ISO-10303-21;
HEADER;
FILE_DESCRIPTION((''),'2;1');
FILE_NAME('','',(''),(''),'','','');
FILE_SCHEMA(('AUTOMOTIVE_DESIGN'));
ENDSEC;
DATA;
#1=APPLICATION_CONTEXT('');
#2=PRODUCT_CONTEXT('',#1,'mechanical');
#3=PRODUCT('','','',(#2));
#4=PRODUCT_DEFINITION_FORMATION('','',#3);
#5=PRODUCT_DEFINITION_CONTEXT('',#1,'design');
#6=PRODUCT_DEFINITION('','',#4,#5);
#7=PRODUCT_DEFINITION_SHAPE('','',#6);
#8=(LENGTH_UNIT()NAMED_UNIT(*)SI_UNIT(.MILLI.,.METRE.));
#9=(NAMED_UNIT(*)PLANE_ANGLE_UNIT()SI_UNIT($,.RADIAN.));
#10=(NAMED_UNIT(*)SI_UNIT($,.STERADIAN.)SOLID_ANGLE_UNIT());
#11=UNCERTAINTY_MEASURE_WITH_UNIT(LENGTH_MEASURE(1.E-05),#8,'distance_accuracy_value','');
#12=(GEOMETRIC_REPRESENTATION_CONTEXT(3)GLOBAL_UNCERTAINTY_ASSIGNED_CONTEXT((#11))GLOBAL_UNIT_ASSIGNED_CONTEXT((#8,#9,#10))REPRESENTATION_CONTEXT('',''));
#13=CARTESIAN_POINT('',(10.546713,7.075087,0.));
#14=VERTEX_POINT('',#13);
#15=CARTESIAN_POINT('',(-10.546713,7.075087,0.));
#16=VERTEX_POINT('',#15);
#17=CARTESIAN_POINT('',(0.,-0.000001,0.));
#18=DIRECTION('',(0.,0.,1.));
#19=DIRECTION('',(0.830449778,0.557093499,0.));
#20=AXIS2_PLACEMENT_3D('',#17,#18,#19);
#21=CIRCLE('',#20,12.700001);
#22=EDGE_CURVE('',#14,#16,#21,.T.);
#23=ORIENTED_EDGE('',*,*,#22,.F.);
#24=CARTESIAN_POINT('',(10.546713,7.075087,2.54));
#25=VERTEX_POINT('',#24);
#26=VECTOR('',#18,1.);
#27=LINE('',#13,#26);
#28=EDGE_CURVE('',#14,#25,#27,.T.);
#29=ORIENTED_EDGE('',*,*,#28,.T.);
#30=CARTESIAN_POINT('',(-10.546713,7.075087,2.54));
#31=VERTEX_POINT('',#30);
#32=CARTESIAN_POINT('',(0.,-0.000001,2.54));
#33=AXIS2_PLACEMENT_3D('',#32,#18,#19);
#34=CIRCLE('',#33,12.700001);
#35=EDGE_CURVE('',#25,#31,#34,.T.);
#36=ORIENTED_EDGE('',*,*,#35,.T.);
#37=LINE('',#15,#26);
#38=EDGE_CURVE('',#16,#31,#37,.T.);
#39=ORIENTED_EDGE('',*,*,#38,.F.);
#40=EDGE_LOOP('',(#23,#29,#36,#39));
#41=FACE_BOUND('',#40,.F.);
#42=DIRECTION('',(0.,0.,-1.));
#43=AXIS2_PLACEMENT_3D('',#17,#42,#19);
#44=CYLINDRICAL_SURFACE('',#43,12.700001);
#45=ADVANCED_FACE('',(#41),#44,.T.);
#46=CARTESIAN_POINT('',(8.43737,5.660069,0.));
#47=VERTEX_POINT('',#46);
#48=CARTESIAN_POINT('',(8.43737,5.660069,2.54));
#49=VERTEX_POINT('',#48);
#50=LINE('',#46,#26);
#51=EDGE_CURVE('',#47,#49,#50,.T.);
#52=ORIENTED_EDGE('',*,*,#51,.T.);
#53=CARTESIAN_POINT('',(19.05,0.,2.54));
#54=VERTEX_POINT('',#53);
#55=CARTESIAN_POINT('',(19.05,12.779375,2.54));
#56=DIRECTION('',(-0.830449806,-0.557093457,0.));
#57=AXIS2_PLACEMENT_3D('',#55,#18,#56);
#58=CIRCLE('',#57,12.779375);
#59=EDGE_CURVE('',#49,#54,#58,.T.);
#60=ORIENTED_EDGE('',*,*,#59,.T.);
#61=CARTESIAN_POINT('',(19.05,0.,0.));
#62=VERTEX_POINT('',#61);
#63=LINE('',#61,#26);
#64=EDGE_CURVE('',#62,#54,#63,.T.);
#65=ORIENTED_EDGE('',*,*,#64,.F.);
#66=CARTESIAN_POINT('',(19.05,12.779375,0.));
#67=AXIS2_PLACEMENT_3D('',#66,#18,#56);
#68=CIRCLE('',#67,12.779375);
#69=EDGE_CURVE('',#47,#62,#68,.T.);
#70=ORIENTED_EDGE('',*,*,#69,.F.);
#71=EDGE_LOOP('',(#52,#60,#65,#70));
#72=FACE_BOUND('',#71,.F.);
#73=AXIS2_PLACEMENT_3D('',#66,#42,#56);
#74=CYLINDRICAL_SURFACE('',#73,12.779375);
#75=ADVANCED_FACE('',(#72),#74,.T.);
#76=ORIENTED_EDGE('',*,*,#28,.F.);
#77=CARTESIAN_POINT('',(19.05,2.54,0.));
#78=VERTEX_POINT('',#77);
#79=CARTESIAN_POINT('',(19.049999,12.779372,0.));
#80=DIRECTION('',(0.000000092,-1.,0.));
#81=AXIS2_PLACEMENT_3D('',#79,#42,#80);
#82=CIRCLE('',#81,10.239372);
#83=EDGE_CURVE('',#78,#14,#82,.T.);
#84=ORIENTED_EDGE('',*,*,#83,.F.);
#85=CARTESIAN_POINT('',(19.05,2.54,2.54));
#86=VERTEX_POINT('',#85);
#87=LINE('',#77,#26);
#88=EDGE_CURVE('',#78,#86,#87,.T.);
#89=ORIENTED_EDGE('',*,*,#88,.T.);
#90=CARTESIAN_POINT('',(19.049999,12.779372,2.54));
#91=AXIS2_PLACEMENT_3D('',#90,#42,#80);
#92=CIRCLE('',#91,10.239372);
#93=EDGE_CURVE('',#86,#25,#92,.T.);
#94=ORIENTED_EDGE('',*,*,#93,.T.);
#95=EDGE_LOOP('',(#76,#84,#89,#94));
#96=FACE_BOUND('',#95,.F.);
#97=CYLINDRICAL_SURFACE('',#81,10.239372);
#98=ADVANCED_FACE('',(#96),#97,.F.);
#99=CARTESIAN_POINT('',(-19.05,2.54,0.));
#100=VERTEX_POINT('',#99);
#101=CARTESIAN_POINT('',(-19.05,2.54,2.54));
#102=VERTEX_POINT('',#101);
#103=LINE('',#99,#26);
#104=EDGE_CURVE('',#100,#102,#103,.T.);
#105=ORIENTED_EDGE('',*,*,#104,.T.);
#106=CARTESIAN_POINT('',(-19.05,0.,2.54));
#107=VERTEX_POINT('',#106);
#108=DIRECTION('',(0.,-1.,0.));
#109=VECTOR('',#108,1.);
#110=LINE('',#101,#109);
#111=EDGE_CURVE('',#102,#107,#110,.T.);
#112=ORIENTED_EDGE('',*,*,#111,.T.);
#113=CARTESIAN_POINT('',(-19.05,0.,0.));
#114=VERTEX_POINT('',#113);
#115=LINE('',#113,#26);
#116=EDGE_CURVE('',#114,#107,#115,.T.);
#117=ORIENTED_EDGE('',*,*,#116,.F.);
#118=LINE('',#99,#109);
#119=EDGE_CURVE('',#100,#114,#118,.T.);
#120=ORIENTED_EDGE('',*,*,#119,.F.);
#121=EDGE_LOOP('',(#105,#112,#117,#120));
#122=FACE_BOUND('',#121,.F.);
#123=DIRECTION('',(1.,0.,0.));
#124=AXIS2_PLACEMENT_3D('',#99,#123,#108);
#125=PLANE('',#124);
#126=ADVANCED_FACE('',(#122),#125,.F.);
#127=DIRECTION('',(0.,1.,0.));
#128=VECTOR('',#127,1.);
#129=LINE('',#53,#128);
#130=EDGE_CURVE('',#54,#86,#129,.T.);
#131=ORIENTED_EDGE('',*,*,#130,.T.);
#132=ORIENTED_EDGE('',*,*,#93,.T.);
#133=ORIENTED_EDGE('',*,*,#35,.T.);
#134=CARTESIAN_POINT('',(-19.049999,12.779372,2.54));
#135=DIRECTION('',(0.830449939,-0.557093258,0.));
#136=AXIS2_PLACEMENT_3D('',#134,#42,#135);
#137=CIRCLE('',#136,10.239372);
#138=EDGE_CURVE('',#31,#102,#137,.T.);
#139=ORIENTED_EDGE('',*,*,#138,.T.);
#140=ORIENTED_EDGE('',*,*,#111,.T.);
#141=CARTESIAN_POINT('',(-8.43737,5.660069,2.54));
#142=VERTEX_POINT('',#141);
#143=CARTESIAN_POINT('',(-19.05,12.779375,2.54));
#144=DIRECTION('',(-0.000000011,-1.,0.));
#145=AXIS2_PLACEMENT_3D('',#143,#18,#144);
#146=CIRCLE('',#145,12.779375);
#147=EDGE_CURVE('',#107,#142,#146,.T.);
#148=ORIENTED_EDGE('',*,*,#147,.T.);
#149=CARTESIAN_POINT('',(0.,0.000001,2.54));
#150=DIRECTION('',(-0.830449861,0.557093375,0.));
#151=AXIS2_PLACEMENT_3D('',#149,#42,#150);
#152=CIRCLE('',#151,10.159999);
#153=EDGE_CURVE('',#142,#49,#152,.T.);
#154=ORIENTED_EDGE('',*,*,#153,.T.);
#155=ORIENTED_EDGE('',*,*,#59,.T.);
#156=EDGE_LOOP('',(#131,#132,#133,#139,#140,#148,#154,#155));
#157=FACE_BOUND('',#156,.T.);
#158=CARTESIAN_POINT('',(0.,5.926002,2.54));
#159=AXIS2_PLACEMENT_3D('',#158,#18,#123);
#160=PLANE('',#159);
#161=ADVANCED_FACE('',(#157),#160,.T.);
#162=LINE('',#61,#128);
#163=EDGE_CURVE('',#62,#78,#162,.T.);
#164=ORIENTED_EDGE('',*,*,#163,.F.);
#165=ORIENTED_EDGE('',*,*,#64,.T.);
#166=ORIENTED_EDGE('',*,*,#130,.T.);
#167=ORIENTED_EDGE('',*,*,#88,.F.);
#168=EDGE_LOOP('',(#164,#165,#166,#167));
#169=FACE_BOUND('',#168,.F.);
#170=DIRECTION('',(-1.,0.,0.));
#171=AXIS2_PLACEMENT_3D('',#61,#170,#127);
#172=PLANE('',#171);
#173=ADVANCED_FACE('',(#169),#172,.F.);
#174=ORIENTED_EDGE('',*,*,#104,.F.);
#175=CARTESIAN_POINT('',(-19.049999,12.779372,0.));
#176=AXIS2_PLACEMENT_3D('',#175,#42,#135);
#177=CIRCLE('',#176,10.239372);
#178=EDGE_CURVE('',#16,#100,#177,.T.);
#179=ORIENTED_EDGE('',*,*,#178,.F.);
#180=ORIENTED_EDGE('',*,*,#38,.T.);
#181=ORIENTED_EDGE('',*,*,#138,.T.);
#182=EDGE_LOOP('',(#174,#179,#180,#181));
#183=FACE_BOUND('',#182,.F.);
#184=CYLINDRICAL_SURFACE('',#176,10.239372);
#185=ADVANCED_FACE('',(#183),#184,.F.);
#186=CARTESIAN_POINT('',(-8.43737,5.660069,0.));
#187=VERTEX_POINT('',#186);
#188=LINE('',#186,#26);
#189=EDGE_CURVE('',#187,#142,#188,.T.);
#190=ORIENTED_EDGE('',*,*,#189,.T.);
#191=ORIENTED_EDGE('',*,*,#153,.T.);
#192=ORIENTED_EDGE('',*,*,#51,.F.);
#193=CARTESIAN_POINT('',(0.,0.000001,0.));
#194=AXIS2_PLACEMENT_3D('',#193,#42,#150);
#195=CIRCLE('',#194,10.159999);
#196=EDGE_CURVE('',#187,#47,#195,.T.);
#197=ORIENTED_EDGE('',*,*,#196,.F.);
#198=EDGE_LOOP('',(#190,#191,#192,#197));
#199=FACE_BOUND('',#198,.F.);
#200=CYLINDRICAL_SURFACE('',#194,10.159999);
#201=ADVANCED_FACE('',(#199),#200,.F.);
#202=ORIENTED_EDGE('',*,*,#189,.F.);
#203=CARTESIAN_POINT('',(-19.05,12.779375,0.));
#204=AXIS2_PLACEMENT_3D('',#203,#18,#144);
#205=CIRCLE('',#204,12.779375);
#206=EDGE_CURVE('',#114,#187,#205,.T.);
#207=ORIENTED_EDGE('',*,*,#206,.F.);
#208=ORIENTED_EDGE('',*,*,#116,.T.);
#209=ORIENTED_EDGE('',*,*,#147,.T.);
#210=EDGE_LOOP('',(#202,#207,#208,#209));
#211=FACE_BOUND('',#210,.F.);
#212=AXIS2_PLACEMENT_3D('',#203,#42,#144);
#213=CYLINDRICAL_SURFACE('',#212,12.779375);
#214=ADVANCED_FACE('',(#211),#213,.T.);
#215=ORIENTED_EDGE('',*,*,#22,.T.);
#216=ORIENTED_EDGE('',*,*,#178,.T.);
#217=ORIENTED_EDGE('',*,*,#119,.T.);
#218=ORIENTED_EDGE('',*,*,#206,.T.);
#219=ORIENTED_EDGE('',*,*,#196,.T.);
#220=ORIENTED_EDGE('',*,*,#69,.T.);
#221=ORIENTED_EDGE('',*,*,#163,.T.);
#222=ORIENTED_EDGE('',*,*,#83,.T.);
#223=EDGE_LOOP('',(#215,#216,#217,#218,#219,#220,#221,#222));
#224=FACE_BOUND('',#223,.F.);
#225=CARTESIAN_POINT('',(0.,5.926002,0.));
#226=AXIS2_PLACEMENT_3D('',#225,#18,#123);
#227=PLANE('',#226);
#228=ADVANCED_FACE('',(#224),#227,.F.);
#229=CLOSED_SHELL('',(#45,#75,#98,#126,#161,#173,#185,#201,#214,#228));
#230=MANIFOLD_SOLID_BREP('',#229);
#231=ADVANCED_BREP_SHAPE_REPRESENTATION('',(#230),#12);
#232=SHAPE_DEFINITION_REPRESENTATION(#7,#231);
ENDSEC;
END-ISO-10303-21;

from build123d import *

# Parameters (mm, degrees)
F1_DEPTH = 2.54


with BuildPart() as f1:
    # F0 (on Top) → F1 (new body)
    with BuildSketch(Plane.XY):
        with BuildLine():
            ThreePointArc((-8.43737, 5.660069), (0, 10.16), (8.43737, 5.660069))
            ThreePointArc((8.43737, 5.660069), (13.036176, 1.503456), (19.05, 0))
            Line((19.05, 0), (19.05, 2.54))
            ThreePointArc((19.05, 2.54), (14.231471, 3.744632), (10.546713, 7.075087))
            ThreePointArc((10.546713, 7.075087), (0, 12.7), (-10.546713, 7.075087))
            ThreePointArc((-10.546713, 7.075087), (-14.231471, 3.744632), (-19.05, 2.54))
            Line((-19.05, 2.54), (-19.05, 0))
            ThreePointArc((-19.05, 0), (-13.036176, 1.503456), (-8.43737, 5.660069))
        make_face()
    extrude(amount=F1_DEPTH)


solid = f1.part
